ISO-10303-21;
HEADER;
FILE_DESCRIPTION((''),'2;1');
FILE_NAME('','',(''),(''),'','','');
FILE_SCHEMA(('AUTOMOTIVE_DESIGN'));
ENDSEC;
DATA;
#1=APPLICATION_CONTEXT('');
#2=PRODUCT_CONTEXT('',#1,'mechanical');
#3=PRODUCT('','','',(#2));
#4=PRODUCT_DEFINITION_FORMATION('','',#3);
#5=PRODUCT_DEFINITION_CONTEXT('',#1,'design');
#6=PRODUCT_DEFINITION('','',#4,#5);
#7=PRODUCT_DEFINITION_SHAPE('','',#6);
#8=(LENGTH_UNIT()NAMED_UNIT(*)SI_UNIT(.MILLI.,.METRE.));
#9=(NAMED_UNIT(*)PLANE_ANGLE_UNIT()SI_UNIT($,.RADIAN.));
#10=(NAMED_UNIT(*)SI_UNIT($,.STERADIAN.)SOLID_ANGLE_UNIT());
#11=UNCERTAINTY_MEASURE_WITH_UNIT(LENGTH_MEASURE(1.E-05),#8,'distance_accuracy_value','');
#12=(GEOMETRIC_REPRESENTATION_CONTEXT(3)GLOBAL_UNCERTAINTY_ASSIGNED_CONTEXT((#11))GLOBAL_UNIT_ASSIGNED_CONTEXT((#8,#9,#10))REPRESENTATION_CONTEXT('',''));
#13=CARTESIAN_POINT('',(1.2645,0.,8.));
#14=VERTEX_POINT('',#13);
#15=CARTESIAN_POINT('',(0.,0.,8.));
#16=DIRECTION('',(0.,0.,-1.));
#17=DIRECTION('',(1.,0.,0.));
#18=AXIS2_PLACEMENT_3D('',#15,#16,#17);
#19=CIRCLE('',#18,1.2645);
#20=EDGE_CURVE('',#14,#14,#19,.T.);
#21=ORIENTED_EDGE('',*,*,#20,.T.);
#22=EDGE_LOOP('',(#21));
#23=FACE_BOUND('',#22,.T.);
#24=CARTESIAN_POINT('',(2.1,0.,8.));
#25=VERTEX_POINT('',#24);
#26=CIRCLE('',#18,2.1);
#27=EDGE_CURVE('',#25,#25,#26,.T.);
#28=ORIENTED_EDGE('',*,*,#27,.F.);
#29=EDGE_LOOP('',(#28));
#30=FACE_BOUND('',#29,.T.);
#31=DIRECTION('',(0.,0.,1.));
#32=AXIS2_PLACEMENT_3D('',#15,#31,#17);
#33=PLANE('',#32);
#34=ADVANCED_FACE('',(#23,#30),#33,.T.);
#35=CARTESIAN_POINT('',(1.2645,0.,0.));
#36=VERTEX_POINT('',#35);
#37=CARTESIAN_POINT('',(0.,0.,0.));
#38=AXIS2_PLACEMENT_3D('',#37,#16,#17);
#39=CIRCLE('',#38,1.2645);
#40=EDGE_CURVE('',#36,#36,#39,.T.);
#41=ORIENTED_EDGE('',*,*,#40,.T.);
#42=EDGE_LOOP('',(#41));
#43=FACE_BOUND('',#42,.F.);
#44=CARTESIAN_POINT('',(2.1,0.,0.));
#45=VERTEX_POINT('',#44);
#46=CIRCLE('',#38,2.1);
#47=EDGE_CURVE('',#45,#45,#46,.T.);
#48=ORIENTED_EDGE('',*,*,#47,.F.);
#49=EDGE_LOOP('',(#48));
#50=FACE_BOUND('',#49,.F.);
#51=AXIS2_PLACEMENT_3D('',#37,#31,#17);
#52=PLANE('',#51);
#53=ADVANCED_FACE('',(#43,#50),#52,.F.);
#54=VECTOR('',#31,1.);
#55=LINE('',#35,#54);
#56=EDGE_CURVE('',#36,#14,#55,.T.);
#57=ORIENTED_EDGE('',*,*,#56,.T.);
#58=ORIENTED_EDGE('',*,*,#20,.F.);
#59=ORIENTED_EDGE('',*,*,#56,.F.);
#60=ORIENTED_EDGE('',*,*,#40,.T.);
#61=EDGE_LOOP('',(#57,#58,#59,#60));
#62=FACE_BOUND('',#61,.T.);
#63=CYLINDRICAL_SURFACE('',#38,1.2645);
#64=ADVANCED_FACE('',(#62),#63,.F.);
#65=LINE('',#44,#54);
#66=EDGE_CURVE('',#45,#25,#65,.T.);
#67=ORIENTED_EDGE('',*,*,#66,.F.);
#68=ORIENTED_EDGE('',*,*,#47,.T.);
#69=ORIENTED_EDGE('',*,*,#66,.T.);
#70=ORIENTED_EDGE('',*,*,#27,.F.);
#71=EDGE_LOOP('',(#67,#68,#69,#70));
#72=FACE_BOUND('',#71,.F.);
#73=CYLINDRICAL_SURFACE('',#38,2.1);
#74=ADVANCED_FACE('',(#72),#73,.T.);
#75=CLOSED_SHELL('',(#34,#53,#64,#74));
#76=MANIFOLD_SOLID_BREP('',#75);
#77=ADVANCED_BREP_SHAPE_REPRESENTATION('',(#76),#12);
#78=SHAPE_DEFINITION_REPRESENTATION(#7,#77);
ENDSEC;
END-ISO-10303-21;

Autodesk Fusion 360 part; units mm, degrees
sketch "Sketch1" plane through (0, 0, 0) normal (0, 0, 1) x (1, 0, 0)
  circle A0 centre (0, 0) radius 2.1
  circle A1 centre (0, 0) radius 1.5
  dimension "d1" = 4.2
  dimension "d2" = 3
extrude "Extrude1" add sketch "Sketch1" along normal blind 8
thread "Thread1" "ISO Metric profile 3.0 M3x0.5 M3x0.5 6H" major diameter 3.086 minor diameter 2.529 pitch 0.5 angle 60 resizes the face on face at (1.4981, -0.0748, 5.3333)
